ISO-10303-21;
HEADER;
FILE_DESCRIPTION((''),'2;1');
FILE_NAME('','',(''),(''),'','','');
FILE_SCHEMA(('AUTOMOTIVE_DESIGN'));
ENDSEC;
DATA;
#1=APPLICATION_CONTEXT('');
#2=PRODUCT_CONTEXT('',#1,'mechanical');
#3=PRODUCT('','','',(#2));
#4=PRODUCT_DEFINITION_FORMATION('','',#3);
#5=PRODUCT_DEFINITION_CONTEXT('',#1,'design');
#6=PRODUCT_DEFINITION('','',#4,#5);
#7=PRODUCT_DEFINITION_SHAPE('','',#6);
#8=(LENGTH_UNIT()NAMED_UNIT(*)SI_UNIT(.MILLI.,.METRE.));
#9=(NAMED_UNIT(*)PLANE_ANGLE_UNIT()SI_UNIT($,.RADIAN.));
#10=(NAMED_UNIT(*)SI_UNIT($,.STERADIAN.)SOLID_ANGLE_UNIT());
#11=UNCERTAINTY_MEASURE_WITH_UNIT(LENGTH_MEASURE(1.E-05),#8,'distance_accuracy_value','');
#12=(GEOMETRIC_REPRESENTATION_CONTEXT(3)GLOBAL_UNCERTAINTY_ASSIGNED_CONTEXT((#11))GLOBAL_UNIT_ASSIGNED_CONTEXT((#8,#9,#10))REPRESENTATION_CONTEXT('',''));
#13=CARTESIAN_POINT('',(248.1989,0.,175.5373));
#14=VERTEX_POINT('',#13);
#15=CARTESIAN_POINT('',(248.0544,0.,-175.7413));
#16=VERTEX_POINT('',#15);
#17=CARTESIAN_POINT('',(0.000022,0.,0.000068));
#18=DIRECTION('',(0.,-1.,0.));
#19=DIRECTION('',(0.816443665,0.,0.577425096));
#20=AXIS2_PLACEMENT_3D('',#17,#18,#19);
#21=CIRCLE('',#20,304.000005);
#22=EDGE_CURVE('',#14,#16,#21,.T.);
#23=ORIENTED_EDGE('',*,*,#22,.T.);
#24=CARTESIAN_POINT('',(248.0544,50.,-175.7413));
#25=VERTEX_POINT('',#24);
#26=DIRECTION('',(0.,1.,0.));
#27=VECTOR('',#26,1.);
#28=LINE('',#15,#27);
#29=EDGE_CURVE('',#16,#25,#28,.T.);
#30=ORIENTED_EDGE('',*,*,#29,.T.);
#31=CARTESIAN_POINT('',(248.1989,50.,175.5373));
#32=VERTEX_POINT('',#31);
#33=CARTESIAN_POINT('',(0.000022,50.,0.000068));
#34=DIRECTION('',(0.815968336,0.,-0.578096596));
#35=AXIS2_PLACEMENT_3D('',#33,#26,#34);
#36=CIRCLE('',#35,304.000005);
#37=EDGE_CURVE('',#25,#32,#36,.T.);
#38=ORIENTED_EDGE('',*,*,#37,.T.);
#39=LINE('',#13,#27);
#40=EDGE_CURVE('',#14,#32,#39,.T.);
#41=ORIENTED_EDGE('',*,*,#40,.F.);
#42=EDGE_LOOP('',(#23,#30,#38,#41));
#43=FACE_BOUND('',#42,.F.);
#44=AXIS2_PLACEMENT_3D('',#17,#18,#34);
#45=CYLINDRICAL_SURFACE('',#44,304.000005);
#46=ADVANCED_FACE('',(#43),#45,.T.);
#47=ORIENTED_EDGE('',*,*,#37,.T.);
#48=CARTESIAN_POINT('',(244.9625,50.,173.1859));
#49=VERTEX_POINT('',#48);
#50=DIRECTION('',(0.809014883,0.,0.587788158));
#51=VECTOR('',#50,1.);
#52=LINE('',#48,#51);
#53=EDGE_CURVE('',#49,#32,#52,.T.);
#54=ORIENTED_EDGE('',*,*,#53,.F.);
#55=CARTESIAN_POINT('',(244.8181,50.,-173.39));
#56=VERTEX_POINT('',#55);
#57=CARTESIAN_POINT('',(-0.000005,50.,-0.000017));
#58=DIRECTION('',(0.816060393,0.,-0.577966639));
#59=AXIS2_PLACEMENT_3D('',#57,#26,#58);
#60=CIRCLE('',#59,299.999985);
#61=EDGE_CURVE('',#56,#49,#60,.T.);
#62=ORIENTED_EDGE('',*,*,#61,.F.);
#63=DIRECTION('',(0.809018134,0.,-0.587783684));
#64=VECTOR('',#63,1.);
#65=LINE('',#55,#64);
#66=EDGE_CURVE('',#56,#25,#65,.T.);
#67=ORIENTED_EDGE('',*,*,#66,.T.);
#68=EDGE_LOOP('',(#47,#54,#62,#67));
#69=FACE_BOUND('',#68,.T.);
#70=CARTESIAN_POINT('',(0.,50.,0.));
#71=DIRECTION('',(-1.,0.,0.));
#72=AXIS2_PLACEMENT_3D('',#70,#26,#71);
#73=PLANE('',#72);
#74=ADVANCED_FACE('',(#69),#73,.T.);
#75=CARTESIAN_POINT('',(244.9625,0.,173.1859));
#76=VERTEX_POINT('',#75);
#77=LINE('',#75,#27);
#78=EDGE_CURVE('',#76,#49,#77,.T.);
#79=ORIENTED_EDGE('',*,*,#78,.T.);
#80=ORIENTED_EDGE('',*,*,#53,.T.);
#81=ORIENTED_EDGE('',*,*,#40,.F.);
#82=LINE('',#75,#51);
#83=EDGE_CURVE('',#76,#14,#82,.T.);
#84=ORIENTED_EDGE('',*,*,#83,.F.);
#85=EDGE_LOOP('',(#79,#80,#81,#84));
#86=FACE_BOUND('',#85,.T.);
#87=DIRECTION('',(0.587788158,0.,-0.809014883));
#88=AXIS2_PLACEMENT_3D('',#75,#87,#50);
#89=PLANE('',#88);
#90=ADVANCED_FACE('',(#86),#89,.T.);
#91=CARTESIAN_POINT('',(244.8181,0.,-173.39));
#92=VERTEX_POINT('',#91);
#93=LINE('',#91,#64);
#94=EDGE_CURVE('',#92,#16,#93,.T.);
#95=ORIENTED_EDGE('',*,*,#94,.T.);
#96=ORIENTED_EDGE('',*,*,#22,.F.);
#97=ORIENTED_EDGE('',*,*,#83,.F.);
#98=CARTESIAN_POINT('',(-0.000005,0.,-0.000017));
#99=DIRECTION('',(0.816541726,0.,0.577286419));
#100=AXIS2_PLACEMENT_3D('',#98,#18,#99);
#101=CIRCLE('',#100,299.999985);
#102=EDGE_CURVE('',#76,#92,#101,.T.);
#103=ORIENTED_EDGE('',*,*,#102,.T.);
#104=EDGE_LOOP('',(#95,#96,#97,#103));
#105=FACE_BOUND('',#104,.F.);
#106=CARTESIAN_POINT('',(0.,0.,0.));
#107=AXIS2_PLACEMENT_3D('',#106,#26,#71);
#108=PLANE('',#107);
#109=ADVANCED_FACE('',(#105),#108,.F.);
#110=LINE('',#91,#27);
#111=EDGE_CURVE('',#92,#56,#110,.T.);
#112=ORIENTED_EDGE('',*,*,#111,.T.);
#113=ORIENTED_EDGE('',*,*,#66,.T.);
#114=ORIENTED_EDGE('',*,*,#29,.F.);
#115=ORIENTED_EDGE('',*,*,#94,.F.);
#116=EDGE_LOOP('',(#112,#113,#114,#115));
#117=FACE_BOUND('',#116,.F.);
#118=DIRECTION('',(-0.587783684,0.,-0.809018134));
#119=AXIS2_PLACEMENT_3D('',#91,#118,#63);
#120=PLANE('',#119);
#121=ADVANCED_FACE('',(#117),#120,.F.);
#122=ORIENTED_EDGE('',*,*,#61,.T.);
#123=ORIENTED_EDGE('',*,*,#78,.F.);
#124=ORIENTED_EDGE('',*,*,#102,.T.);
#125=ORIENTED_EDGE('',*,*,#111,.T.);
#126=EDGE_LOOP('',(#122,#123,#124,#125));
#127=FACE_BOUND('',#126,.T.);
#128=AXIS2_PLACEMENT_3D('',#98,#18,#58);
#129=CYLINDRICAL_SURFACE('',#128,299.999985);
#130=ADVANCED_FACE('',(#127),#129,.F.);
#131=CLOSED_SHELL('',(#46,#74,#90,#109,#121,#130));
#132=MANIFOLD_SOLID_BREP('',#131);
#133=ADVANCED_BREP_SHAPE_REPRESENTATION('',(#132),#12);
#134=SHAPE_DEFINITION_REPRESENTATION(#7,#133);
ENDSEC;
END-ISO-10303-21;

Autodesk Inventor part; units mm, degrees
ref_plane "YZ Plane" through (0, 0, 0) normal (1, 0, 0) x (0, 1, 0)
ref_plane "XZ Plane" through (0, 0, 0) normal (0, 1, 0) x (-1, 0, 0)
ref_plane "XY Plane" through (0, 0, 0) normal (0, 0, 1) x (1, 0, 0)
sketch "Sketch1" plane through (0, 0, 0) normal (0, 1, 0) x (-1, 0, 0)
  arc A0 (-244.8181, -173.39) -> (-244.9625, 173.1859) centre (0, 0) ccw
  line L0 (290, 3.75) -> (260, 3.75)
  line L1 (260, -3.75) -> (290, -3.75)
  arc A1 (291.75, 2) -> (290, 3.75) centre (290, 2) ccw
  arc A2 (290, -3.75) -> (291.75, -2) centre (290, -2) ccw
  arc A3 (258.25, -2) -> (260, -3.75) centre (260, -2) ccw
  arc A4 (260, 3.75) -> (258.25, 2) centre (260, 2) ccw
  line L2 (258.25, 2) -> (258.25, -2)
  line L3 (291.75, -2) -> (291.75, 2)
  line L4 (306.241, 0) -> (300, 0)
  line L5 (300, 0) -> (281.7438, 0)
  line L6 (86.0485, 276.9652) -> (76.778, 248.4335)
  arc A5 (88.2536, 278.0888) -> (86.0485, 276.9652) centre (87.7128, 276.4244) ccw
  line L7 (92.0578, 276.8527) -> (88.2536, 278.0888)
  line L8 (83.9109, 246.1159) -> (93.1814, 274.6476)
  arc A6 (93.1814, 274.6476) -> (92.0578, 276.8527) centre (91.517, 275.1884) ccw
  arc A7 (76.778, 248.4335) -> (77.9015, 246.2284) centre (78.4423, 247.8927) ccw
  line L9 (77.9015, 246.2284) -> (81.7058, 244.9923)
  arc A8 (81.7058, 244.9923) -> (83.9109, 246.1159) centre (82.2465, 246.6567) ccw
  line L10 (-236.8191, 167.4239) -> (-212.5486, 149.7904)
  arc A9 (-237.2063, 169.8683) -> (-236.8191, 167.4239) centre (-235.7905, 168.8397) ccw
  line L11 (-234.8551, 173.1044) -> (-237.2063, 169.8683)
  line L12 (-208.1402, 155.858) -> (-232.4107, 173.4915)
  arc A10 (-232.4107, 173.4915) -> (-234.8551, 173.1044) centre (-233.4394, 172.0758) ccw
  arc A11 (-212.5486, 149.7904) -> (-210.1042, 150.1775) centre (-211.52, 151.2061) ccw
  line L13 (-210.1042, 150.1775) -> (-207.7531, 153.4136)
  arc A12 (-207.7531, 153.4136) -> (-208.1402, 155.858) centre (-209.1688, 154.4422) ccw
  line L14 (-232.4107, -173.4915) -> (-208.1402, -155.858)
  arc A13 (-234.8551, -173.1044) -> (-232.4107, -173.4915) centre (-233.4394, -172.0758) ccw
  line L15 (-237.2063, -169.8683) -> (-234.8551, -173.1044)
  line L16 (-212.5486, -149.7904) -> (-236.8191, -167.4239)
  arc A14 (-236.8191, -167.4239) -> (-237.2063, -169.8683) centre (-235.7905, -168.8397) ccw
  arc A15 (-208.1402, -155.858) -> (-207.7531, -153.4136) centre (-209.1688, -154.4422) ccw
  line L17 (-207.7531, -153.4136) -> (-210.1042, -150.1775)
  arc A16 (-210.1042, -150.1775) -> (-212.5486, -149.7904) centre (-211.52, -151.2061) ccw
  line L18 (93.1814, -274.6476) -> (83.9109, -246.1159)
  arc A17 (92.0578, -276.8527) -> (93.1814, -274.6476) centre (91.517, -275.1884) ccw
  line L19 (88.2536, -278.0888) -> (92.0578, -276.8527)
  line L20 (76.778, -248.4335) -> (86.0485, -276.9652)
  arc A18 (86.0485, -276.9652) -> (88.2536, -278.0888) centre (87.7128, -276.4244) ccw
  arc A19 (83.9109, -246.1159) -> (81.7058, -244.9923) centre (82.2465, -246.6567) ccw
  line L21 (81.7058, -244.9923) -> (77.9015, -246.2284)
  arc A20 (77.9015, -246.2284) -> (76.778, -248.4335) centre (78.4423, -247.8927) ccw
  arc A21 (-248.0544, -175.7413) -> (-248.1989, 175.5373) centre (0, 0) ccw
  line L22 (-244.8181, -173.39) -> (-248.0544, -175.7413)
  line L23 (-244.9625, 173.1859) -> (-248.1989, 175.5373)
  point P0 (87.0636, 267.9543)
  point P1 (-227.9355, 165.6049)
  point P2 (-227.9355, -165.6049)
  point P3 (87.0636, -267.9543)
  dimension "d3" = 7.5
  dimension "d6" = 30
  dimension "d7" = 3.5
  dimension "d8" = 3.5
  dimension "d26" = 8.25
  dimension "d27" = 33.5
  dimension "d28" = 7.5
  dimension "d43" = 4
  dimension "d46" = 0.125
  dimension "d47" = 0.125
extrude "Extrusion3" add sketch "Sketch1" along normal blind 50 contours A0 L4 A21 L22 | A0 L23 A21 L4
properties part number "Floor Banding"
